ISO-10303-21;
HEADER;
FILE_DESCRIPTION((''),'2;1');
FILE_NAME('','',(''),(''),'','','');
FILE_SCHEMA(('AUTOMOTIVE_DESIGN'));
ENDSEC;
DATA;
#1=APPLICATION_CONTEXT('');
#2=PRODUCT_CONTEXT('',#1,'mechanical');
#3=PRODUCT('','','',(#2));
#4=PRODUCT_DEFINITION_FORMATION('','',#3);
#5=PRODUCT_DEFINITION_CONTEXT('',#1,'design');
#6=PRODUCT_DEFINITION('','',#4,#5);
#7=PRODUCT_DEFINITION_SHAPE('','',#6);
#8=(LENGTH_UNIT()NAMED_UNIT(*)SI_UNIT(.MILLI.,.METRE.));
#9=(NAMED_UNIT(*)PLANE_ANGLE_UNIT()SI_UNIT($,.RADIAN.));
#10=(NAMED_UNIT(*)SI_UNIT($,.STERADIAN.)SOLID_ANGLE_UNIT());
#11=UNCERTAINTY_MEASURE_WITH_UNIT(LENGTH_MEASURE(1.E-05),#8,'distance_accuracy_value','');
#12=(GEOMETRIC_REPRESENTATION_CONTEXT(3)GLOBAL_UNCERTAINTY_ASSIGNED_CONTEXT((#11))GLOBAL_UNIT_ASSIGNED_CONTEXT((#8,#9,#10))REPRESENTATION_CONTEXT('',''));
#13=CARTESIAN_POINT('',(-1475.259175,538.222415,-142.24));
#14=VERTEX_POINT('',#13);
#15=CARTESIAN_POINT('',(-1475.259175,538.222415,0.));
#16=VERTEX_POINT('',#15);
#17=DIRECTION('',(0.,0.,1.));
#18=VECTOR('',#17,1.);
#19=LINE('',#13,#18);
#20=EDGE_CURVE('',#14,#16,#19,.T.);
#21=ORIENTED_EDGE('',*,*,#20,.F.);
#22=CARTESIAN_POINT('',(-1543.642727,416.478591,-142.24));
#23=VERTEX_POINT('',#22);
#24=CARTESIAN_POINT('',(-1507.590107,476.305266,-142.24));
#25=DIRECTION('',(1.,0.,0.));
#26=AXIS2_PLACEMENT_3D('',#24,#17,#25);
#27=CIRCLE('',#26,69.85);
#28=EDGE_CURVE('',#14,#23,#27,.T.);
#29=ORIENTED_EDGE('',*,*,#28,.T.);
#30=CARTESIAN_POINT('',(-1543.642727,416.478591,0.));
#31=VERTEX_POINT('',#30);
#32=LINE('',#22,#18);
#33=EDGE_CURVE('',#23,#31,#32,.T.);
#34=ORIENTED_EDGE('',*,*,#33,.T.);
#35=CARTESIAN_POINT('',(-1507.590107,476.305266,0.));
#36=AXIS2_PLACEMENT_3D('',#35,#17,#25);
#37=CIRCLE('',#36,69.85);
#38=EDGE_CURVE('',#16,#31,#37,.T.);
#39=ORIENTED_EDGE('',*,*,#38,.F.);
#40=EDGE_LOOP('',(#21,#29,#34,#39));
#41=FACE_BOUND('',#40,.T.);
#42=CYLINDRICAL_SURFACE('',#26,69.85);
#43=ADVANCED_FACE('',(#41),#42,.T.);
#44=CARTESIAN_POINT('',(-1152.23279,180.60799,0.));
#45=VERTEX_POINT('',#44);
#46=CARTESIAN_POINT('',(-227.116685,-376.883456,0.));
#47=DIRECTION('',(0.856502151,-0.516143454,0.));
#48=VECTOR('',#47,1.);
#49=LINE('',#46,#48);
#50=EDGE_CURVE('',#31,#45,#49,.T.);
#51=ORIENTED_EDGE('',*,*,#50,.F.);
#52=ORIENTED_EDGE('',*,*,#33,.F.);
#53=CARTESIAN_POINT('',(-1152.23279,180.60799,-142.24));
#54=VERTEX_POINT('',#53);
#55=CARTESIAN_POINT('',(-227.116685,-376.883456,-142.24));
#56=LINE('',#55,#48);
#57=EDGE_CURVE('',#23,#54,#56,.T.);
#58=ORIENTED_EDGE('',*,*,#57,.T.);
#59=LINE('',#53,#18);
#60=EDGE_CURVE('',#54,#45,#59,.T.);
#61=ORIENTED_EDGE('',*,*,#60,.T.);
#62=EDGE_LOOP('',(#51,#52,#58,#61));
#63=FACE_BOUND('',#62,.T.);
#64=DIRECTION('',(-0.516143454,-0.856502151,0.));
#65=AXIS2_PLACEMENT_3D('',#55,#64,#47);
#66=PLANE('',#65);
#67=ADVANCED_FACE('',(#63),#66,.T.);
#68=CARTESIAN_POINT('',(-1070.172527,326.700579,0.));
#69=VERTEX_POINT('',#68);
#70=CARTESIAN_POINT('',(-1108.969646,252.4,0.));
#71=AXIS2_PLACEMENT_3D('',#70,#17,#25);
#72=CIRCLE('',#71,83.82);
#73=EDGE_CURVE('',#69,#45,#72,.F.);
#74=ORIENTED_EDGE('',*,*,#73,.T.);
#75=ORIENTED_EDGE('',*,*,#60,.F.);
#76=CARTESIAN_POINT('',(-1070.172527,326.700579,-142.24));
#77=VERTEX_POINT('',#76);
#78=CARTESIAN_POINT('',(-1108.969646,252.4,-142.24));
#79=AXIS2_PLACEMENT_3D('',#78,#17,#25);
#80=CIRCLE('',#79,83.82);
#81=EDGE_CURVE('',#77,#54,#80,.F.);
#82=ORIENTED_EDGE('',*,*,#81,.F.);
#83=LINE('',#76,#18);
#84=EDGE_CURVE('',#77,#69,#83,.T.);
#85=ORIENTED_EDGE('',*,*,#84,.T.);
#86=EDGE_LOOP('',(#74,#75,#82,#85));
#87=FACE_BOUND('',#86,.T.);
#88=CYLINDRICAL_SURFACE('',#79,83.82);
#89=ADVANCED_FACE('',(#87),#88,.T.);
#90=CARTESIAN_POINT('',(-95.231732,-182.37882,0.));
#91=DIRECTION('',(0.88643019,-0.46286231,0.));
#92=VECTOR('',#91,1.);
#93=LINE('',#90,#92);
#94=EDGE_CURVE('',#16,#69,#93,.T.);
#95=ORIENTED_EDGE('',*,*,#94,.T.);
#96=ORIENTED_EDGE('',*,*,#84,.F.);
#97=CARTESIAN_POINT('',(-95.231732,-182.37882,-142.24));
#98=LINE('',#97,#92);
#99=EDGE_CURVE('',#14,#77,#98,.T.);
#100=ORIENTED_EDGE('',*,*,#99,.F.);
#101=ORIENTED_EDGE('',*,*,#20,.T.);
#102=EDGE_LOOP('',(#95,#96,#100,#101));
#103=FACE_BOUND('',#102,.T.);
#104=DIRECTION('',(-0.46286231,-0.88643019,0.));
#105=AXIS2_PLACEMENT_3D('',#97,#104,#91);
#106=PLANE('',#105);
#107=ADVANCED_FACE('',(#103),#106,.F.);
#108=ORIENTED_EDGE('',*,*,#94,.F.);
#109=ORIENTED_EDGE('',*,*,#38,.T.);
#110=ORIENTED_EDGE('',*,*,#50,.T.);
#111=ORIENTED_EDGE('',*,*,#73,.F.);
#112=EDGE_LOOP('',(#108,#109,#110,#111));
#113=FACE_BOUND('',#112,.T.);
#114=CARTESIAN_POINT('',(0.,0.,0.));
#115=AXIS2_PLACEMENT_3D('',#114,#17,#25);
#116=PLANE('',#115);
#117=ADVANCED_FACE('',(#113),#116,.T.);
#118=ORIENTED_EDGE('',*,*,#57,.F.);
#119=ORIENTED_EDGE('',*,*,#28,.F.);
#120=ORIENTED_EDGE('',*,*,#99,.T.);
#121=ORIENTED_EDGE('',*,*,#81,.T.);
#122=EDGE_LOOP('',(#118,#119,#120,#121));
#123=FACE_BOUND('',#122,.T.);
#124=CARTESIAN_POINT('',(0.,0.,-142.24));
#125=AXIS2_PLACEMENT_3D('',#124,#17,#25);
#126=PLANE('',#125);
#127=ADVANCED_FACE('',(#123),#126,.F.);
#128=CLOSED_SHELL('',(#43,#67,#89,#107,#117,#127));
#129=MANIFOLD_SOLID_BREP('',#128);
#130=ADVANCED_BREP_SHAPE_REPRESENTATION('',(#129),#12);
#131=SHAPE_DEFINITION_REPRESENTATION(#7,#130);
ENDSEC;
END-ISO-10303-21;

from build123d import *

# Parameters (mm, degrees)
BOSS_EXTRUDE1_DEPTH = 142.24


with BuildPart() as part:
    # Sketch1 → Boss-Extrude1 (new body)
    with BuildSketch(Plane.XY):
        with BuildLine():
            Line((-1543.642727163, 416.47859059), (-1152.2327902, 180.607989738))
            ThreePointArc((-1152.2327902, 180.607989738), (-1035.889227997, 211.350701294), (-1070.172527037, 326.700578567))
            Line((-1070.172527037, 326.700578567), (-1475.259174527, 538.222414615))
            ThreePointArc((-1475.259174527, 538.222414615), (-1568.490455084, 510.513014772), (-1543.642727163, 416.47859059))
        make_face()
    extrude(amount=-BOSS_EXTRUDE1_DEPTH)


solid = part.part
